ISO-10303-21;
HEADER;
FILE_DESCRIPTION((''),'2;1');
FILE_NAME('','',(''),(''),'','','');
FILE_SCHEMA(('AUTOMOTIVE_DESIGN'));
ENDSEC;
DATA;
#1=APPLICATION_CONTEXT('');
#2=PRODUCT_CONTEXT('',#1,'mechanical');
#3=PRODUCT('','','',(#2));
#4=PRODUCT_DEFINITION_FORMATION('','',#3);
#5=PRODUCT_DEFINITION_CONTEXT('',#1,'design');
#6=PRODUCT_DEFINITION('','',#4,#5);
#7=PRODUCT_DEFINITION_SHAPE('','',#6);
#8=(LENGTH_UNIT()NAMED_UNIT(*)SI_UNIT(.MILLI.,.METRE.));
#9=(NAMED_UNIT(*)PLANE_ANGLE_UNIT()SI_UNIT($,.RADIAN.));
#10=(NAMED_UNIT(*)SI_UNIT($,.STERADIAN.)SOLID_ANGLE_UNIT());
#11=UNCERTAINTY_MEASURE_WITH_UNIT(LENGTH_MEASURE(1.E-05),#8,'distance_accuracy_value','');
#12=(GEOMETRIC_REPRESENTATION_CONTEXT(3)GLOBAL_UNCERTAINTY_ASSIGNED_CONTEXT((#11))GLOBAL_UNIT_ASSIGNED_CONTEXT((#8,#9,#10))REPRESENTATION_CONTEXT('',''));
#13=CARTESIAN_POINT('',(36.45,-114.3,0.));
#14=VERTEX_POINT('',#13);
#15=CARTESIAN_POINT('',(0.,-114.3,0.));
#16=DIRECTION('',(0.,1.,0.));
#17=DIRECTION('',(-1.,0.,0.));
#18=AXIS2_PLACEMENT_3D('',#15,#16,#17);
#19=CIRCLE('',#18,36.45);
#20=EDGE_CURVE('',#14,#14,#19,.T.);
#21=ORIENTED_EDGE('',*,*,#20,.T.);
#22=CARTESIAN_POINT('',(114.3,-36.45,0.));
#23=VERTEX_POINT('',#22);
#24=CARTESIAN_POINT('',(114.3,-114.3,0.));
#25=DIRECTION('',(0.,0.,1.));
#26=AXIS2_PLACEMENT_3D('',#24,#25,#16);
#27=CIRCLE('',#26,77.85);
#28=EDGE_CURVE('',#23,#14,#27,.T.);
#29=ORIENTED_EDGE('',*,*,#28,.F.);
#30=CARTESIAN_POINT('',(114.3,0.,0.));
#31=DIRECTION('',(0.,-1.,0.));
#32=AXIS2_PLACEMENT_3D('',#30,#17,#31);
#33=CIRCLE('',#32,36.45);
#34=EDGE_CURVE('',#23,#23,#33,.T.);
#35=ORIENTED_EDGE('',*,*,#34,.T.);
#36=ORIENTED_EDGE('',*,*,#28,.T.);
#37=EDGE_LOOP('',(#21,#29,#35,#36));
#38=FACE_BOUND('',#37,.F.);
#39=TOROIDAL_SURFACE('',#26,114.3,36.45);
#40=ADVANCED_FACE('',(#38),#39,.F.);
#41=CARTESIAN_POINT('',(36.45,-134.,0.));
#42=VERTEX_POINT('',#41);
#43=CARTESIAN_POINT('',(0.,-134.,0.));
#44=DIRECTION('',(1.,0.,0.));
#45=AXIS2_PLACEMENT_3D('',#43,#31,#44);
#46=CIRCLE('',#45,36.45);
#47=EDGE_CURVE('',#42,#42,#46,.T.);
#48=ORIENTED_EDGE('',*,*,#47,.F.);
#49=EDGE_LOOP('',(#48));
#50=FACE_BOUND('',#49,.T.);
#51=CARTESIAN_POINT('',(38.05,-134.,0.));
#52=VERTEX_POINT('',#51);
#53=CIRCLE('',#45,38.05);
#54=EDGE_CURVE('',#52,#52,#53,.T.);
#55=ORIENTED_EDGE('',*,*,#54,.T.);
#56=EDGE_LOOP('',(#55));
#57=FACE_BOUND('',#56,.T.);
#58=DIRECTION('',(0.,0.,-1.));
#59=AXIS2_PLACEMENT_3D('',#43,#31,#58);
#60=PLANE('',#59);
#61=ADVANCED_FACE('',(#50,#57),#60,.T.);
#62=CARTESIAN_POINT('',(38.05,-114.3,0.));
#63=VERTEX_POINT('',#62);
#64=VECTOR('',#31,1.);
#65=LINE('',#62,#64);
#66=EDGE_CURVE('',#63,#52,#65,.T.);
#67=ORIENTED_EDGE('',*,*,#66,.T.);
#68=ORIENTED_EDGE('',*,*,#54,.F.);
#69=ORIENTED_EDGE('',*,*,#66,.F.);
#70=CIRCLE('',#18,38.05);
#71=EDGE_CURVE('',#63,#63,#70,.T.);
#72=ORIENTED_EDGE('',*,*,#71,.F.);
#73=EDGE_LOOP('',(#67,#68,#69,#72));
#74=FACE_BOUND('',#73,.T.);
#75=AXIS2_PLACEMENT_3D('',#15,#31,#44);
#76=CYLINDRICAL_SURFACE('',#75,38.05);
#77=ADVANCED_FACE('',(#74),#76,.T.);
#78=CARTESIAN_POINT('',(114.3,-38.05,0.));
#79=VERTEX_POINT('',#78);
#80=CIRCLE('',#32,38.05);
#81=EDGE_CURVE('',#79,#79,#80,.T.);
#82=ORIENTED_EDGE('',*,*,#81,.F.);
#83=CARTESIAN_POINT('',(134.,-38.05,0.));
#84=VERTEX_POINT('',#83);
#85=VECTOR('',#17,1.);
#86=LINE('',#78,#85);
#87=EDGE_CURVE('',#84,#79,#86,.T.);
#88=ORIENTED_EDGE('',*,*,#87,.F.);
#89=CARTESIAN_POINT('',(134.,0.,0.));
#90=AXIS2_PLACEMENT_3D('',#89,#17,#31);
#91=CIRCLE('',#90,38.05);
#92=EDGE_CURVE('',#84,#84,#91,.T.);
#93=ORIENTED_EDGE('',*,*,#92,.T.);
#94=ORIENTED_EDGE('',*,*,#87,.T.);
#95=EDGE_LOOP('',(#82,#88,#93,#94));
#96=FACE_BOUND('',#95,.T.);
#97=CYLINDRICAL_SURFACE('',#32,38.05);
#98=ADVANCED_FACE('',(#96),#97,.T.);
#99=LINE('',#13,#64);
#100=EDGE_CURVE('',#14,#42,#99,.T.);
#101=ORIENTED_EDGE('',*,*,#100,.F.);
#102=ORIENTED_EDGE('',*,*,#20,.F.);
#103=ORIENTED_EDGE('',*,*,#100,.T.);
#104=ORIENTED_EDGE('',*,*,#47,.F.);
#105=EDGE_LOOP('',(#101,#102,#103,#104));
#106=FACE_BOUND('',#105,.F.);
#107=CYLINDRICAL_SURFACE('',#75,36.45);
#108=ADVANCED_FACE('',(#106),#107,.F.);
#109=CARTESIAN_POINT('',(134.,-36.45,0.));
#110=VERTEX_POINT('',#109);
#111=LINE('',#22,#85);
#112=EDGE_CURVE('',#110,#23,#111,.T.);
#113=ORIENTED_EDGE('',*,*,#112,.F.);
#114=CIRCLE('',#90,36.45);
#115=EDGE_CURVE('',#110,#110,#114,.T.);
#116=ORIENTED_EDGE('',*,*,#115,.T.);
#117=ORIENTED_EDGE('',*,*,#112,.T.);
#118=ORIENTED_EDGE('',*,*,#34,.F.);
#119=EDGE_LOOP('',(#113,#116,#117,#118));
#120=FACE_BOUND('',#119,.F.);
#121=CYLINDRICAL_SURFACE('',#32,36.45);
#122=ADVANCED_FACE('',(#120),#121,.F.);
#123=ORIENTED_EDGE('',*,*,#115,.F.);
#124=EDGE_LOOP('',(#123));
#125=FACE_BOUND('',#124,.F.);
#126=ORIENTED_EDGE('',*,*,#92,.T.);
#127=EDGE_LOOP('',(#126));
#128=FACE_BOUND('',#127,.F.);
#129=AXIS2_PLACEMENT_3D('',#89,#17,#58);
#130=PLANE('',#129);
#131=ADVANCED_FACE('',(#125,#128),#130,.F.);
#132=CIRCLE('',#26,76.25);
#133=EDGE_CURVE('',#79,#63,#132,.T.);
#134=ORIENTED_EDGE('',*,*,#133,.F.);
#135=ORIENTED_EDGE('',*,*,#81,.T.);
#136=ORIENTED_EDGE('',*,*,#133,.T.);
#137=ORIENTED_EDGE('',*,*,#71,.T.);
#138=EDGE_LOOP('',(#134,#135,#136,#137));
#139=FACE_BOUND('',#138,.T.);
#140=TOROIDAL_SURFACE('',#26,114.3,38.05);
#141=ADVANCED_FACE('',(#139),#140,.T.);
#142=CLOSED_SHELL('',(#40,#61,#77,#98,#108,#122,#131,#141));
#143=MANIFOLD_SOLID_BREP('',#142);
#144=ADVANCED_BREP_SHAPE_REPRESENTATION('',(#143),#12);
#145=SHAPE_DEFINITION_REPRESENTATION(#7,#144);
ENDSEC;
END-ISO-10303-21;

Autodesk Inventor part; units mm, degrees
ref_plane "YZ Plane" through (0, 0, 0) normal (1, 0, 0) x (0, 1, 0)
ref_plane "XZ Plane" through (0, 0, 0) normal (0, 1, 0) x (-1, 0, 0)
sketch "Szkic6" plane through (0, 0, 0) normal (0, 0, 1) x (1, 0, 0)
  line L0 (-29.6067, 0) -> (35.2678, 0) construction
  line L1 (0, 42.3419) -> (0, -58.3726) construction
  arc A0 (114.3, 0) -> (0, -114.3) centre (114.3, -114.3) ccw
  line L2 (0, -114.3) -> (114.3, -114.3) construction
  line L3 (114.3, -114.3) -> (114.3, -48.7669) construction
  line L4 (114.3, 0) -> (134, 0)
  line L5 (0, -114.3) -> (0, -134)
  point P0 (0, 0)
  dimension "d24" = 114.3
  dimension "d31" = 90
  dimension "d36" = 19.7
  dimension "d37" = 19.7
ref_plane "Płaszczyzna konstrukcyjna2" through (0, -114.3, 0) normal (0, -1, 0) x (1, 0, 0)
sketch "Szkic8" plane through (0, -114.3, 0) normal (0, -1, 0) x (1, 0, 0)
  circle A0 centre (0, 0) radius 38.05
  circle A1 centre (0, 0) radius 36.45
  dimension "d32" = 76.1
  dimension "d33" = 1.6
sweep "Przeciągnięcie2" add profiles "Szkic8" path "Szkic6"
equation "\"d32\" = OD"
equation "\"d33\" = THK"
equation "\"d24\" = R"
equation "\"d31\" = KAT"
equation "\"d36\" = PROSTKA"
equation "\"d37\" = PROSTKA"
equation "\"SzerokośćGięciaPodcięcia\" = Grubość"
equation "\"RozmiarPodcięciaNarożnika\" = 4 * Grubość"
equation "\"PromieńPrzejścia\" = PromieńGięcia"
equation "\"Rozmiar_promienia_Jacobiego\" = PromieńGięcia"
equation "\"Wielk_odstępu\" = Grubość"
equation "\"d2\" = PromieńGięcia"
equation "\"d23\" = PromieńGięcia"
equation "\"R\" = 114.3"
equation "\"OD\" = 76.1"
equation "\"THK\" = 1.6"
equation "\"KAT\" = 90deg"
equation "\"PROSTKA\" = 19.7"
equation "\"Grubość\" = 1.5"
equation "\"PromieńGięcia\" = 3"
properties part number "Kolano 90° ø76,1x1,6 R114,3" material "304L"
